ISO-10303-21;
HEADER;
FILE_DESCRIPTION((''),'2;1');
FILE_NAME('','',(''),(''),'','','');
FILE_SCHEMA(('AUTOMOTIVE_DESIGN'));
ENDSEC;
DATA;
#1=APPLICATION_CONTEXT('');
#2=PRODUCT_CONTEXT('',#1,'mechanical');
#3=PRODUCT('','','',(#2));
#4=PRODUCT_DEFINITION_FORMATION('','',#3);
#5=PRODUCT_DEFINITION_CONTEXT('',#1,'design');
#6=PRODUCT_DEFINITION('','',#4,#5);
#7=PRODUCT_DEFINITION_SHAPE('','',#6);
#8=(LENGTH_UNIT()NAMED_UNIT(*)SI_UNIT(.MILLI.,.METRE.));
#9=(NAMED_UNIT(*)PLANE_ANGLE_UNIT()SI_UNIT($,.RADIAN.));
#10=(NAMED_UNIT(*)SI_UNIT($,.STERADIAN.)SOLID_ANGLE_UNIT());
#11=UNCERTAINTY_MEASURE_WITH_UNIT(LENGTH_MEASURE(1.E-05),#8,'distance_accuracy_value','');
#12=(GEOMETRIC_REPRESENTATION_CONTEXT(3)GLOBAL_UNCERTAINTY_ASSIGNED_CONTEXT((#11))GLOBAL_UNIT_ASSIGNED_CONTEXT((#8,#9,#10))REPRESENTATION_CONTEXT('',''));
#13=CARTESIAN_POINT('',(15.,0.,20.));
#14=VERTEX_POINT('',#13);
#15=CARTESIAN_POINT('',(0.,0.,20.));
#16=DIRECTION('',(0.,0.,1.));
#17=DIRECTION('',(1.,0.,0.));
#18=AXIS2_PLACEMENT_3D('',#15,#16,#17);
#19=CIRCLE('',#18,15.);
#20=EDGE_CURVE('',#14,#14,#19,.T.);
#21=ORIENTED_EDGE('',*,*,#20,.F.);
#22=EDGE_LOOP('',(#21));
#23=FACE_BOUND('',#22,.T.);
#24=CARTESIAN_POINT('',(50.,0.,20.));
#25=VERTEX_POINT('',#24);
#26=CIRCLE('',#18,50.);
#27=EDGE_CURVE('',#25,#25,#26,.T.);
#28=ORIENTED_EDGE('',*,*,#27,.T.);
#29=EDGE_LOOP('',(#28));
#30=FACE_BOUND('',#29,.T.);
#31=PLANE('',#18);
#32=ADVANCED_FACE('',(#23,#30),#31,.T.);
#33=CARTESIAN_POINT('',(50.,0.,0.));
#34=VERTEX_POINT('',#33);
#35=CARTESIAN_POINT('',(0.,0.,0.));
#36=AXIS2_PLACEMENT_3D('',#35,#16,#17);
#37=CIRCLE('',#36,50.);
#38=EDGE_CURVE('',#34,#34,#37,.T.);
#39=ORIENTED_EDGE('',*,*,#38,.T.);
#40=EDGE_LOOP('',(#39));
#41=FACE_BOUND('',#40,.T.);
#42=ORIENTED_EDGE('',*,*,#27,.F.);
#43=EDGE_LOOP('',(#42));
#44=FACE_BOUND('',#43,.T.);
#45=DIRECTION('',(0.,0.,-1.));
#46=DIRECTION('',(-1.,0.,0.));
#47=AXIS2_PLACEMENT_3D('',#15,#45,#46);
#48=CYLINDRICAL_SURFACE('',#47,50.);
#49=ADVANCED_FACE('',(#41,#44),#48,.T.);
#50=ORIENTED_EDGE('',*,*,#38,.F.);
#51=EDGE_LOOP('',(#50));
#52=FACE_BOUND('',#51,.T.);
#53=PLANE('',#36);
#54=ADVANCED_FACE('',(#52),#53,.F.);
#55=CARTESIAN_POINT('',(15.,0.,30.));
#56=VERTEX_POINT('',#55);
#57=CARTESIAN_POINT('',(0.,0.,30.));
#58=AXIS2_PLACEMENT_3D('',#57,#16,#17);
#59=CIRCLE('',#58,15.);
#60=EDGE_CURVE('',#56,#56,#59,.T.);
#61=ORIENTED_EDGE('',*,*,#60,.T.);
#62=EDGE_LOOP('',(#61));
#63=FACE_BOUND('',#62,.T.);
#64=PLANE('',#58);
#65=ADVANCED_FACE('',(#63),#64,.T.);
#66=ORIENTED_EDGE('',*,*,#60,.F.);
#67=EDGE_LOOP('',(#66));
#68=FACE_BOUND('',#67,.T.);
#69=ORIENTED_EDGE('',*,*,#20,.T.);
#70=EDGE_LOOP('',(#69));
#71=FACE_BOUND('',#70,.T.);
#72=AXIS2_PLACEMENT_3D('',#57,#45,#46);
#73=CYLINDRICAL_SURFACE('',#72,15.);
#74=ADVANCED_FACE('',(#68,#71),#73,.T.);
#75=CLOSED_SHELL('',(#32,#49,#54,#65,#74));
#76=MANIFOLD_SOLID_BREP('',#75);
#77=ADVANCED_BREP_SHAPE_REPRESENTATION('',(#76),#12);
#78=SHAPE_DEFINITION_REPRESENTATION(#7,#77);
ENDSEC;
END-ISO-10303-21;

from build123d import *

# Parameters (mm, degrees)
SKETCH1_R           = 50
BOSS_EXTRUDE1_DEPTH = 20
SKETCH2_R           = 15
BOSS_EXTRUDE2_DEPTH = 10


with BuildPart() as part:
    # Sketch1 → Boss-Extrude1 (new body)
    with BuildSketch(Plane.XY):
        Circle(SKETCH1_R)
    extrude(amount=BOSS_EXTRUDE1_DEPTH)

    # Sketch2 → Boss-Extrude2 (add)
    with BuildSketch(Plane.XY.offset(20)):
        Circle(SKETCH2_R)
    extrude(amount=BOSS_EXTRUDE2_DEPTH)


solid = part.part
